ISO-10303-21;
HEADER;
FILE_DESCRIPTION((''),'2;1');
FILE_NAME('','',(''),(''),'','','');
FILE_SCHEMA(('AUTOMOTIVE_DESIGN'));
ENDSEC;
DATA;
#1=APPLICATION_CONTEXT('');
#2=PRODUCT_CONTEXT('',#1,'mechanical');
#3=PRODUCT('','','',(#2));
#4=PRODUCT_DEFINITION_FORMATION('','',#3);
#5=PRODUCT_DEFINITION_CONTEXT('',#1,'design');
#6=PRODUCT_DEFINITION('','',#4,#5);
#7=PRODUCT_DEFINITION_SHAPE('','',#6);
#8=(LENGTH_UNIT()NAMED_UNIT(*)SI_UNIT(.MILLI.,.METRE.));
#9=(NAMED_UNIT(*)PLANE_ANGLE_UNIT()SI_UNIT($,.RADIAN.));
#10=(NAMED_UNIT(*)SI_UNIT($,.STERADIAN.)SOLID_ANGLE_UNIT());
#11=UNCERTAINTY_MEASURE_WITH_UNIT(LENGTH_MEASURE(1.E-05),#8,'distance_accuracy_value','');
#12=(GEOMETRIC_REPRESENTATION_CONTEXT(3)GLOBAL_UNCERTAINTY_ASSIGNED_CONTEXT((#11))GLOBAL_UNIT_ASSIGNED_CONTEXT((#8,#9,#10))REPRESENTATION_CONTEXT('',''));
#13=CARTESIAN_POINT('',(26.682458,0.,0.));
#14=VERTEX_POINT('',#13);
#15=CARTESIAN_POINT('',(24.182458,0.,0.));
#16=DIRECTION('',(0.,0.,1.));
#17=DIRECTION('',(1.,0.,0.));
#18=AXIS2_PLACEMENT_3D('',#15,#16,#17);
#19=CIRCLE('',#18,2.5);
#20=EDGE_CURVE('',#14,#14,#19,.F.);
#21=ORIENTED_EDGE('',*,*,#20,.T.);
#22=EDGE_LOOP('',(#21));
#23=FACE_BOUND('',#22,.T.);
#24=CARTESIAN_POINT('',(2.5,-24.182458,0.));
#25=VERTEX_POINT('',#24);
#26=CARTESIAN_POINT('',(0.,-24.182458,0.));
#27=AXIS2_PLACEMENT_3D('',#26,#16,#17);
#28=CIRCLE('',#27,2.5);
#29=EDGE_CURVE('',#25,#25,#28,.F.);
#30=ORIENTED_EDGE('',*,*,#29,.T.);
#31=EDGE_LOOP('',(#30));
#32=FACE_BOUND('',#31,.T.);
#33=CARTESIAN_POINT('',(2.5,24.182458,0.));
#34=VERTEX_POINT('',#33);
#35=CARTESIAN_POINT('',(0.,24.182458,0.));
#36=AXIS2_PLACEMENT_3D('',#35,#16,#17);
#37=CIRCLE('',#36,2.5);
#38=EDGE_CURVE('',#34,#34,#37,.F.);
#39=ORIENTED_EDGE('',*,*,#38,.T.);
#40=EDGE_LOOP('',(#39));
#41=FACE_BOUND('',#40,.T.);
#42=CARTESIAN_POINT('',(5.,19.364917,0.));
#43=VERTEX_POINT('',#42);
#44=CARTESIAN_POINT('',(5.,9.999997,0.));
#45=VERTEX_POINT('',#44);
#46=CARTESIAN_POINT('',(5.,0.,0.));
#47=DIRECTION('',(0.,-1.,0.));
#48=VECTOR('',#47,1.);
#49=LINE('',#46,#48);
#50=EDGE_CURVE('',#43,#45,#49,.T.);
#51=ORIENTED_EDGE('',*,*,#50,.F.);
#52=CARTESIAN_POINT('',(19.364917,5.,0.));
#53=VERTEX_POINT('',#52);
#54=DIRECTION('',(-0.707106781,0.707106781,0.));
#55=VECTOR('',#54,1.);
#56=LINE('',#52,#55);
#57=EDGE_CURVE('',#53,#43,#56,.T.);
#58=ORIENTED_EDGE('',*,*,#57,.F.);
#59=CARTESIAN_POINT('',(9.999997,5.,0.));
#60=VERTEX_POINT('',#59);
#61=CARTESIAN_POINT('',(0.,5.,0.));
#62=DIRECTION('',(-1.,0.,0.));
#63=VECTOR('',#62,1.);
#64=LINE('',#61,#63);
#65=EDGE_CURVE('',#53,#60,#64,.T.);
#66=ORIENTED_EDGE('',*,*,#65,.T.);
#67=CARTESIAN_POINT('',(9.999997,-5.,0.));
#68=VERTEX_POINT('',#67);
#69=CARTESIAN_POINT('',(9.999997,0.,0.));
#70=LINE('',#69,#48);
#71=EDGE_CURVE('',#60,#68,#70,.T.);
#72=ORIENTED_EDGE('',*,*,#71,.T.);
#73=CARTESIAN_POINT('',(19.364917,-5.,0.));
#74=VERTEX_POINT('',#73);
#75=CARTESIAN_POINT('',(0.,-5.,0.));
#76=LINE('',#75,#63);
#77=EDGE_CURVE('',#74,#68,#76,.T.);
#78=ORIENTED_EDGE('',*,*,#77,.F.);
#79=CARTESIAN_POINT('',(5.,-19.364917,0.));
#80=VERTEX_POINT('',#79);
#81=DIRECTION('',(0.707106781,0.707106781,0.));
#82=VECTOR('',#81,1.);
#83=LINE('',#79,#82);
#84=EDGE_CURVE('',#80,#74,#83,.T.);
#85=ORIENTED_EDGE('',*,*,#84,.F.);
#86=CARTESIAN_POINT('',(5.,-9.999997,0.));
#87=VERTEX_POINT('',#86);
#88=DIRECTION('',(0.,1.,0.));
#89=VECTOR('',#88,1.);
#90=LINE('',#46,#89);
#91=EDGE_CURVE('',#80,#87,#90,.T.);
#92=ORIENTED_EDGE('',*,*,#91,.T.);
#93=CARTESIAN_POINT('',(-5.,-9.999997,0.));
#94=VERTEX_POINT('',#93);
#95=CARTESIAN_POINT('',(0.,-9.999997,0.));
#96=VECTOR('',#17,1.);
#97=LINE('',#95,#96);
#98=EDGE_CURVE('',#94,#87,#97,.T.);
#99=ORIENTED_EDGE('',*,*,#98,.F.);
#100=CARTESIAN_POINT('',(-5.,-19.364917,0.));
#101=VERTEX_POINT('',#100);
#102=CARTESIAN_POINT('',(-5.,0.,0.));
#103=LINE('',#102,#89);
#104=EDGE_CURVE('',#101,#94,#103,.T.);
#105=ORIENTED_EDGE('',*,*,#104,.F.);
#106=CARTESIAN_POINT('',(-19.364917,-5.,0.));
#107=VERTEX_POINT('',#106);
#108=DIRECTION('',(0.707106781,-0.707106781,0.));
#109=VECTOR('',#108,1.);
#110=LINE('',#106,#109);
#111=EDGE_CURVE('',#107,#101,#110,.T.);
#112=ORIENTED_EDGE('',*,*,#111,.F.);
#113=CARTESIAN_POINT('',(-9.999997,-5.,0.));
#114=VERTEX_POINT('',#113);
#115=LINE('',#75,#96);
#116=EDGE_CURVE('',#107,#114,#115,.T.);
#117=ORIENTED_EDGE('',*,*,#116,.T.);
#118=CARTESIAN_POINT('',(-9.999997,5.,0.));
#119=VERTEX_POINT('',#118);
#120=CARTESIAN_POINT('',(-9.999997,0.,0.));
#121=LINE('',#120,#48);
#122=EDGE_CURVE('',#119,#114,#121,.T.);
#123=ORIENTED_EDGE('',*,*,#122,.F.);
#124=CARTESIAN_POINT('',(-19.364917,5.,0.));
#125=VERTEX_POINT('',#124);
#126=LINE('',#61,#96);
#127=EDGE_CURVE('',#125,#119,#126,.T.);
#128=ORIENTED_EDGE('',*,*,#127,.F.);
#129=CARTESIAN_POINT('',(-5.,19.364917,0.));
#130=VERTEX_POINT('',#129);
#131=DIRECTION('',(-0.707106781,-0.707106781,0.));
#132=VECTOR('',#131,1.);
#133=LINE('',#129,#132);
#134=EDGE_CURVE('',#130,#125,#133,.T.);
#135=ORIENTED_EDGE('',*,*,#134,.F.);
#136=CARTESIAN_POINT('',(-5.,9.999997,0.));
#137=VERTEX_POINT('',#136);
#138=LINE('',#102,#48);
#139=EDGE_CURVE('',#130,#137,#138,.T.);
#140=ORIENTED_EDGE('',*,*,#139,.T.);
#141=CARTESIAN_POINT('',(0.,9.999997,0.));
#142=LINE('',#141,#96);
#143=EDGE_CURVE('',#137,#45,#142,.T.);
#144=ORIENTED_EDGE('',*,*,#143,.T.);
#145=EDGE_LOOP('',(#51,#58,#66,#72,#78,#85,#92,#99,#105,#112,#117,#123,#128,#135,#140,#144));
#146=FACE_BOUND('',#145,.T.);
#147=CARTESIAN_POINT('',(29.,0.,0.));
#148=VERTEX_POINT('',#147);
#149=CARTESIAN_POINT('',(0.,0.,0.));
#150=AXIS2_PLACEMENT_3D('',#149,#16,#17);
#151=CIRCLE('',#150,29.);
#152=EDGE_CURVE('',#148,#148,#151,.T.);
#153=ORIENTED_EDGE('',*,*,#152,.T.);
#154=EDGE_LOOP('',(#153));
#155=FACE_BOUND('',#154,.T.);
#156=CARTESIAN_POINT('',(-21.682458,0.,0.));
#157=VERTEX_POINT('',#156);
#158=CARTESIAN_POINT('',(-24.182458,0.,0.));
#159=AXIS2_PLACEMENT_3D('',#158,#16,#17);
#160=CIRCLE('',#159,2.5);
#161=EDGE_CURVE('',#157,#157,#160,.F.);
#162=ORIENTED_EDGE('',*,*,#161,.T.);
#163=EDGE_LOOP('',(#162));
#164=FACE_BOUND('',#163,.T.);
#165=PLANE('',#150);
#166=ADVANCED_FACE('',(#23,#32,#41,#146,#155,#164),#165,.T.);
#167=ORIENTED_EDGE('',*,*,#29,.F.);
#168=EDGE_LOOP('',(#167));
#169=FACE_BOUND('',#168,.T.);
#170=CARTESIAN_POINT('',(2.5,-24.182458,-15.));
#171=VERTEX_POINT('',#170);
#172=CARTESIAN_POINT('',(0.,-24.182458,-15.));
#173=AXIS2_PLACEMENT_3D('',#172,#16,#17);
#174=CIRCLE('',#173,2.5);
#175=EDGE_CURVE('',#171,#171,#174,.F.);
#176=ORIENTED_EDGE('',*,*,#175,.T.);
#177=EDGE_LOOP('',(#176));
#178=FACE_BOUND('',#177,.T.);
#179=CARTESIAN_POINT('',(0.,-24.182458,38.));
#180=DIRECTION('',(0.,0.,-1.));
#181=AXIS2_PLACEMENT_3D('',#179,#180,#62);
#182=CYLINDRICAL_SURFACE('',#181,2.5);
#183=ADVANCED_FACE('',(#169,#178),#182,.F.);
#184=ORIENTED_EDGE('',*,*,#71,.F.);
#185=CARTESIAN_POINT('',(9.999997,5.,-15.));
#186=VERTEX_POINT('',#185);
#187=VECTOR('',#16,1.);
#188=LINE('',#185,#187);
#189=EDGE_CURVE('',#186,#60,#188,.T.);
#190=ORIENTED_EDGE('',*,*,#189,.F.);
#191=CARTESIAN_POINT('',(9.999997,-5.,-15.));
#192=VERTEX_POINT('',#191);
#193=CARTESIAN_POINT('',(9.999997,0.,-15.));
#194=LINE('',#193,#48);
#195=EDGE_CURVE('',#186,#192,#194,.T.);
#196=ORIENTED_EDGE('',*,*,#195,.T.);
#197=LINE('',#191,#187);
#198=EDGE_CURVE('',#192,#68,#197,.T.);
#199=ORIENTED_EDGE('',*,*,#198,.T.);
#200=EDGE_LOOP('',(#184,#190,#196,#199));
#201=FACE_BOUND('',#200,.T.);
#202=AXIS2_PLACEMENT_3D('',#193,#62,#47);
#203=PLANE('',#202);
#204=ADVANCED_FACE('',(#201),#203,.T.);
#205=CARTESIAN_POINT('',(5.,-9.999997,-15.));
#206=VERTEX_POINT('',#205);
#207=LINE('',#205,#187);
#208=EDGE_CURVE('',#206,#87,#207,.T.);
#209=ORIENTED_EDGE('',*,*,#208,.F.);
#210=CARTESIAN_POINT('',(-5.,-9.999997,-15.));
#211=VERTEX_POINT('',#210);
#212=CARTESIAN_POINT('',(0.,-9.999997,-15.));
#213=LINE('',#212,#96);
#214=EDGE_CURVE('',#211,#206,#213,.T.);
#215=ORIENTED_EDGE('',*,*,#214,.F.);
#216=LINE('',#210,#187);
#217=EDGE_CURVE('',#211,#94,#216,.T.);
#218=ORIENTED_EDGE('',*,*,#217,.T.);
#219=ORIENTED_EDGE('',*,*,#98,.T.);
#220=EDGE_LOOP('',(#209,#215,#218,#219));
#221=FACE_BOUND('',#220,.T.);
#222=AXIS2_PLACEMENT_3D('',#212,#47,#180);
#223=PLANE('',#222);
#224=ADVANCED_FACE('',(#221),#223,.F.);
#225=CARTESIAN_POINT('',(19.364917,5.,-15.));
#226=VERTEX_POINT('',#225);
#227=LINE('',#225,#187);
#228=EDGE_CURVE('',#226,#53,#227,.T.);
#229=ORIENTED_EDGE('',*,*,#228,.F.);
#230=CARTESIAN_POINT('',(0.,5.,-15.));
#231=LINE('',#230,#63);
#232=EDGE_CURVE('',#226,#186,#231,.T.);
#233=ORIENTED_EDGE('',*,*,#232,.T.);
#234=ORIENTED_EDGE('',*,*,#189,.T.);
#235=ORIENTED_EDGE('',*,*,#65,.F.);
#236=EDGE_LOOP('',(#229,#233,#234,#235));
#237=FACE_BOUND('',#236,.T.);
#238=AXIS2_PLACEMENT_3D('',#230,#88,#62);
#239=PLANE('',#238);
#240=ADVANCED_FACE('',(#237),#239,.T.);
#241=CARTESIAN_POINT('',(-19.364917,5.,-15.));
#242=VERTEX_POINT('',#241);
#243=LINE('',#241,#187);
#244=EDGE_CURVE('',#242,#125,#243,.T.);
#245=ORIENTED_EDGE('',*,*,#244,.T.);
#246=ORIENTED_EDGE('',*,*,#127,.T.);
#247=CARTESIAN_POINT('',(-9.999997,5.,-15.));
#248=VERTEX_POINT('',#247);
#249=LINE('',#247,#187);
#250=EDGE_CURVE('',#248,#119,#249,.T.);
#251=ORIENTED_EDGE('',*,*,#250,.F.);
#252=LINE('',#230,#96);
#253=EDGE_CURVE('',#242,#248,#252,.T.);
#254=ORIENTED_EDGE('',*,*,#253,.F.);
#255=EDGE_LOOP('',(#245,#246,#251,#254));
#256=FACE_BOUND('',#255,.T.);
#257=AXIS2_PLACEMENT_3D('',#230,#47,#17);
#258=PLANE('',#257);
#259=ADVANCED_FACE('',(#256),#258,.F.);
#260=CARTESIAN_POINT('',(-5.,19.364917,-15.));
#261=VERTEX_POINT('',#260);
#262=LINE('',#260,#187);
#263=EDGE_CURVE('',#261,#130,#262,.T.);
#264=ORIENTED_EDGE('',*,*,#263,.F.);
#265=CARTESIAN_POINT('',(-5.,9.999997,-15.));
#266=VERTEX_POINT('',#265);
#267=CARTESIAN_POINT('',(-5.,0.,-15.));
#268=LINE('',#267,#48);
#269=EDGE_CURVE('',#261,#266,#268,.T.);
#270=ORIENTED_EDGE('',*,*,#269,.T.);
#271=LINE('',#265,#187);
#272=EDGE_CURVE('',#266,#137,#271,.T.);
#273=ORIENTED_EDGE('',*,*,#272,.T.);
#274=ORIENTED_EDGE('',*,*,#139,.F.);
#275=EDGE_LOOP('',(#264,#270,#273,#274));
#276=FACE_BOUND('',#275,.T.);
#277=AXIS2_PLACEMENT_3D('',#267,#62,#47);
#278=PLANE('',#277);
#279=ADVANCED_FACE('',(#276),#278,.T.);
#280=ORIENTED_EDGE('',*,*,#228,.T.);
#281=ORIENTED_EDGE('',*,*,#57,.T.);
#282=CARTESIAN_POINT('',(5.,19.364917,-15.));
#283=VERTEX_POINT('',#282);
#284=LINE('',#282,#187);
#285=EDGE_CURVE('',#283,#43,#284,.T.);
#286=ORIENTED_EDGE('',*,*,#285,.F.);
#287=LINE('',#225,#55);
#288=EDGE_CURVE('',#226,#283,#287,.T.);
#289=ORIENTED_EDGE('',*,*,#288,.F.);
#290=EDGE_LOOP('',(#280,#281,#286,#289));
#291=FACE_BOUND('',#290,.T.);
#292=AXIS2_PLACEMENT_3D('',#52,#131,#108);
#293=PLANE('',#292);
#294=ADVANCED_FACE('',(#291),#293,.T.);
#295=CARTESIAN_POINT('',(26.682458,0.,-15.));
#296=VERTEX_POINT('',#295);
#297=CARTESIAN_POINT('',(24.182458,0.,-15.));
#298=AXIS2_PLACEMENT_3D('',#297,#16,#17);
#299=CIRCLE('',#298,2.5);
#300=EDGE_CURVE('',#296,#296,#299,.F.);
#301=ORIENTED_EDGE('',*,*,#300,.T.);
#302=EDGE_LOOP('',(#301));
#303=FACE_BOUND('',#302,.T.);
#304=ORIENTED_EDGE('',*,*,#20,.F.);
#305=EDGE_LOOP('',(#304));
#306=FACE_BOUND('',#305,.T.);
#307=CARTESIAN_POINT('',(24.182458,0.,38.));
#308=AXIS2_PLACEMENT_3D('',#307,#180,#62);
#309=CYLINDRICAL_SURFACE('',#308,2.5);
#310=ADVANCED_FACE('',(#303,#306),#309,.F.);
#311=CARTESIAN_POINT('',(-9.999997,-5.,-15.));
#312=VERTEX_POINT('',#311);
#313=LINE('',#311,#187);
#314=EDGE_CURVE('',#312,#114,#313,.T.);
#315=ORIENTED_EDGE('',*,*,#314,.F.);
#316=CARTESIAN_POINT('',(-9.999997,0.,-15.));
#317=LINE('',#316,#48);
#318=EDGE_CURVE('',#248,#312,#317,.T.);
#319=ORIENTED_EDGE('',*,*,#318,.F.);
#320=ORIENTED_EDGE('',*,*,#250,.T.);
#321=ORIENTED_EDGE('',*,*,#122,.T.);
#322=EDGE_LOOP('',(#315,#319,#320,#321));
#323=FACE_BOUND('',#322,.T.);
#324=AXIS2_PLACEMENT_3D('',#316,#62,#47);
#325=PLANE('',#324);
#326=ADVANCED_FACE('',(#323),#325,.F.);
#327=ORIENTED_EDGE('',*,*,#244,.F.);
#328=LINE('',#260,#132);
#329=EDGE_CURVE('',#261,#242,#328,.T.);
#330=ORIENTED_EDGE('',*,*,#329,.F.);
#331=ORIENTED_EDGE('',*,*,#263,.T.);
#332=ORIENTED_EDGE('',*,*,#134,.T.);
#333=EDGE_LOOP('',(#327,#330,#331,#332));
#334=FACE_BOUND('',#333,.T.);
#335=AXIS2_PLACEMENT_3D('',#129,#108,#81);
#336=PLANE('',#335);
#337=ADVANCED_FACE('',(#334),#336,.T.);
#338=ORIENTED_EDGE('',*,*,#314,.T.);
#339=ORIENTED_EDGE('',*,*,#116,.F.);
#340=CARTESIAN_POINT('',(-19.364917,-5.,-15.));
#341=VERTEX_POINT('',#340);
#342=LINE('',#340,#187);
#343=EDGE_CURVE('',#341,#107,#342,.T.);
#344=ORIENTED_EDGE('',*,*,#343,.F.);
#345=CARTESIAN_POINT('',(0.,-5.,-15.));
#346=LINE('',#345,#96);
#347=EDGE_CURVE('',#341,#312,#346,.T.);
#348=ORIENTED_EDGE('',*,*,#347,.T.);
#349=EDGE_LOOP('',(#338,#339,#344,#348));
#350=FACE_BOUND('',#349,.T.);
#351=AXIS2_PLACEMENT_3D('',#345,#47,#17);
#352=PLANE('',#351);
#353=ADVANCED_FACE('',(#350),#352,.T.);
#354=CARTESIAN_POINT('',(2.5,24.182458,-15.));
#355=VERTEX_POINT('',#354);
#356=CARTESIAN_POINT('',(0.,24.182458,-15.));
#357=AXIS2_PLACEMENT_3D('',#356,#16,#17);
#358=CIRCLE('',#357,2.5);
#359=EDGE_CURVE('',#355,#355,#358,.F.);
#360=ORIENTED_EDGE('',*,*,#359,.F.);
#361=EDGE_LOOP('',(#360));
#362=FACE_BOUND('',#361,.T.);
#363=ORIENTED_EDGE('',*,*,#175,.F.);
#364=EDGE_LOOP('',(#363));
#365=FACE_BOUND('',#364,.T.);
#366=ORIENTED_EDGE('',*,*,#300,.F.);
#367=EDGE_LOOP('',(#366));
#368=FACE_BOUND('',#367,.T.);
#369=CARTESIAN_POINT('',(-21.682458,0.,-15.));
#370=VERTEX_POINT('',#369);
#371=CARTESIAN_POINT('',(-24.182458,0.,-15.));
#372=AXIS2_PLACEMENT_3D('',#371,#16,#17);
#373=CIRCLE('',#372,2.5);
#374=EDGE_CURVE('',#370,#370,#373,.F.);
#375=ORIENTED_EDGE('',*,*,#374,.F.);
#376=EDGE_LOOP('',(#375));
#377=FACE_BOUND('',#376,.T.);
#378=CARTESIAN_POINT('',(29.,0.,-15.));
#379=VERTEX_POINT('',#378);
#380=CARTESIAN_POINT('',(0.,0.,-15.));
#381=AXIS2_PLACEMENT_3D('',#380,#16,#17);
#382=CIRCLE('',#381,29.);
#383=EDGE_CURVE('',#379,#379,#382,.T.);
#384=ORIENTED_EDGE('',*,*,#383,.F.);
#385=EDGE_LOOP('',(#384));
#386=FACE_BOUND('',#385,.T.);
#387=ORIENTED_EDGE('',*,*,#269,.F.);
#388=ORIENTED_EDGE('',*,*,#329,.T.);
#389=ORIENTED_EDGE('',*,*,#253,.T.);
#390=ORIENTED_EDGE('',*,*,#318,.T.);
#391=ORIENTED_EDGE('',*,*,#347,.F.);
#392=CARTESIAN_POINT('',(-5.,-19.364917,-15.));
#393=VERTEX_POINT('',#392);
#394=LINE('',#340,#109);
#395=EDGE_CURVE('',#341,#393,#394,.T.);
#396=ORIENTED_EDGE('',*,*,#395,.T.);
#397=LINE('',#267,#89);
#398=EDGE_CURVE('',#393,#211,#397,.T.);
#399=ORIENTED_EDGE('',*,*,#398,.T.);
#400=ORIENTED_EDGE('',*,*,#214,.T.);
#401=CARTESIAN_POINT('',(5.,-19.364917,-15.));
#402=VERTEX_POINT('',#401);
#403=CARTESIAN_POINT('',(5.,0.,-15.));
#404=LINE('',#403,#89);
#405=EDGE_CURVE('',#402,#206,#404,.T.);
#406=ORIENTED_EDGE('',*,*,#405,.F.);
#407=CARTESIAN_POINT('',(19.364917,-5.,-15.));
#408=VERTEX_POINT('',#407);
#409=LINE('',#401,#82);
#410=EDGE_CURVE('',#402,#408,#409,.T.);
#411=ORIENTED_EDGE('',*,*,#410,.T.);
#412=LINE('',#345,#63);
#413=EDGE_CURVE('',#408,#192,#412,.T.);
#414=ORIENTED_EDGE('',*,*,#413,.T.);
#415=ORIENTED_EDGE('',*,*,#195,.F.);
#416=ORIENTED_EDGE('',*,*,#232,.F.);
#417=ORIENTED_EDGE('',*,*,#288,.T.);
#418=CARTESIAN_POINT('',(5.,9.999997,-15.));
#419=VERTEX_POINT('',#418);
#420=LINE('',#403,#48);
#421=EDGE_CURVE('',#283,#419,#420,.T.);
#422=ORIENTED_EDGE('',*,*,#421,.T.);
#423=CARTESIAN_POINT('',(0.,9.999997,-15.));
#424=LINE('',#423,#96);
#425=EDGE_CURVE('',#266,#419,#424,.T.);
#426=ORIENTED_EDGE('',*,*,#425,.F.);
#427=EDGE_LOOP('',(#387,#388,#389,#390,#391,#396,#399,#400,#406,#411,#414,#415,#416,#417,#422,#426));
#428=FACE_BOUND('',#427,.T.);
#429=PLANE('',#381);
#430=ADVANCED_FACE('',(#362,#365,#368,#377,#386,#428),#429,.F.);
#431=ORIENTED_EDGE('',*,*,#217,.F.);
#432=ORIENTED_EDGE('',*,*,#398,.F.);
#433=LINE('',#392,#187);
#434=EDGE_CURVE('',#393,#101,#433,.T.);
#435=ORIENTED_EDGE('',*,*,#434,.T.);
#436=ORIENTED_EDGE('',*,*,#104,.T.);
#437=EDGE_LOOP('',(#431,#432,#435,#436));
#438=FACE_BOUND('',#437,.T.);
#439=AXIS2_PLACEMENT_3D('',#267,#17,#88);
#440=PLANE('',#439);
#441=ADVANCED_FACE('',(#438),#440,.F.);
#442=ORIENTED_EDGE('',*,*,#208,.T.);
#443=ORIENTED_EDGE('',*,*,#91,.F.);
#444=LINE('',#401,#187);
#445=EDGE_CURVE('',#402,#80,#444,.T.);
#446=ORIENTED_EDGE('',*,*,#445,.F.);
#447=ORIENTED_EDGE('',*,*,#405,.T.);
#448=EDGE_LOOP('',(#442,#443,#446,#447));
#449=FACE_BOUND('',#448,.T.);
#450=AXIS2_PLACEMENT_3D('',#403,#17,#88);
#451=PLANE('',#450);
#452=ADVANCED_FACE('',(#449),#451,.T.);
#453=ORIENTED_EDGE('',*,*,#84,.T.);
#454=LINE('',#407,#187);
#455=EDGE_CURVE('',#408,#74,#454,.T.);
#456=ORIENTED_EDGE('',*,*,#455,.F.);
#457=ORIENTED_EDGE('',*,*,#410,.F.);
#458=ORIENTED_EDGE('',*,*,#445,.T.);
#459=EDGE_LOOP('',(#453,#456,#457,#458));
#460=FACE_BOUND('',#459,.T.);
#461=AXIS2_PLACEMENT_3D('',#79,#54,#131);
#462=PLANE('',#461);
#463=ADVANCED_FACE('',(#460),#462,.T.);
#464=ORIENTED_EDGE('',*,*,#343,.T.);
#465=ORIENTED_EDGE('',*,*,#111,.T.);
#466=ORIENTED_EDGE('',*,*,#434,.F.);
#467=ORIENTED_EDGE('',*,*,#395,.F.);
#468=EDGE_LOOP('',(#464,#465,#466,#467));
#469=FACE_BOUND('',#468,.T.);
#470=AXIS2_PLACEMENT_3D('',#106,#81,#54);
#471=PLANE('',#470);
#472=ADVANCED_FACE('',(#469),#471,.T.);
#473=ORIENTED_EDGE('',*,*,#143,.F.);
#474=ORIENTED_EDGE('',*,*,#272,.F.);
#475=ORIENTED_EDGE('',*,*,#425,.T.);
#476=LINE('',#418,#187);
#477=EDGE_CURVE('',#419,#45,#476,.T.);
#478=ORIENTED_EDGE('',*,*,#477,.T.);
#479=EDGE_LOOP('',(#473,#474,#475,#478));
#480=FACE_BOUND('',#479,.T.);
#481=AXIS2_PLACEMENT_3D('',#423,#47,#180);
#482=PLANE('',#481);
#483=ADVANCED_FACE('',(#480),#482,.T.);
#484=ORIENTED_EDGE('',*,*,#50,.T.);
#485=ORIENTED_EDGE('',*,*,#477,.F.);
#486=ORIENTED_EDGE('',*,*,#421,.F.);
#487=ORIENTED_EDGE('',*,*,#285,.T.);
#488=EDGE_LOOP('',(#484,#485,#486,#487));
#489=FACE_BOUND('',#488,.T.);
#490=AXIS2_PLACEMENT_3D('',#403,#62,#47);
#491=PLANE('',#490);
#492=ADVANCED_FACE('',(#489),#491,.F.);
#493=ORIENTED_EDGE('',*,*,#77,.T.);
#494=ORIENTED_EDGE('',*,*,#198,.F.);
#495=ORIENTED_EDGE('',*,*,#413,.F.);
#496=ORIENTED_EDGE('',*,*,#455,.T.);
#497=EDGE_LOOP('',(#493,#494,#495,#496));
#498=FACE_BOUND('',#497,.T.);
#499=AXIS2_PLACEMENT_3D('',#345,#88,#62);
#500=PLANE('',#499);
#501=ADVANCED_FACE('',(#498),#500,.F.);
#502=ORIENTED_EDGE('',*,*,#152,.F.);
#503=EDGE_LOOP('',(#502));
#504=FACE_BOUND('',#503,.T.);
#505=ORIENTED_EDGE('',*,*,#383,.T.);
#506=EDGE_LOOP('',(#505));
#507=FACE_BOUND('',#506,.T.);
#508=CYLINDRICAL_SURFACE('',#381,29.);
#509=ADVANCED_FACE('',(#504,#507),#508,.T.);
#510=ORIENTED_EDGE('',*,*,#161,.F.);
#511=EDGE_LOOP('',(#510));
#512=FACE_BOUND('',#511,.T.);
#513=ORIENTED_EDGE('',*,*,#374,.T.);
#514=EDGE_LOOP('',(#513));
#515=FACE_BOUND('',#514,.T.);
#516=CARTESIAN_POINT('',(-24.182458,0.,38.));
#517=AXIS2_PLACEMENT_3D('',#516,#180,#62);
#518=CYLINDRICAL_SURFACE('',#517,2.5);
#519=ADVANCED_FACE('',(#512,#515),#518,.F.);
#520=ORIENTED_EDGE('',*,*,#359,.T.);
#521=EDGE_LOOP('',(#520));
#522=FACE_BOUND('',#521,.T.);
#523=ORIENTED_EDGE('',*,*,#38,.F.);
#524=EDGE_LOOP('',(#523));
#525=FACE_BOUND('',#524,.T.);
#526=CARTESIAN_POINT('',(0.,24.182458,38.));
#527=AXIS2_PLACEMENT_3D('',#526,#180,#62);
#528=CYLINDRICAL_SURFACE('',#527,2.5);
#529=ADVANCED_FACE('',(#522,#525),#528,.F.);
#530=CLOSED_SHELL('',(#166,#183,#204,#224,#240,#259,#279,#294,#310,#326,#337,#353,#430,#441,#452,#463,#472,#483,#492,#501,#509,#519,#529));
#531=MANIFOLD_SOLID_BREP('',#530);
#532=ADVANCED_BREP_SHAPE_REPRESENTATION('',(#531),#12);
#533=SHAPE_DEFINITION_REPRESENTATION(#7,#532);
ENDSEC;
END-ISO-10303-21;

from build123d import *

# Parameters (mm, degrees)
SKETCH6_R                 = 29
SKETCH6_R_2               = 20
INNER_RING_DEPTH          = 15
MOTOR_CONNECTOR_CUT_DEPTH = 15
SKETCH8_R                 = 2.5
M3_HOLES_DEPTH            = 38
M3_HOLES_DEPTH_BACK       = 53
BOSS_EXTRUDE1_DEPTH       = 15


with BuildPart() as part:
    # Sketch6 → Inner Ring (new body)
    with BuildSketch(Plane.XY):
        Circle(SKETCH6_R)
        Circle(SKETCH6_R_2, mode=Mode.SUBTRACT)
    extrude(amount=-INNER_RING_DEPTH)

    # Sketch7 → Motor Connector Cut (add)
    with BuildSketch(Plane.XY):
        with BuildLine():
            ThreePointArc((20, 0), (19.840593925, 2.52008585), (19.364916731, 5))
            Line((19.364916731, 5), (9.999996731, 5))
            Line((9.999996731, 5), (9.999996731, -5))
            Line((9.999996731, -5), (19.364916731, -5))
            ThreePointArc((19.364916731, -5), (19.840593925, -2.52008585), (20, 0))
        make_face()
        with BuildLine():
            ThreePointArc((5, 19.364916731), (0, 20), (-5, 19.364916731))
            Line((-5, 19.364916731), (-5, 9.999996731))
            Line((-5, 9.999996731), (5, 9.999996731))
            Line((5, 9.999996731), (5, 19.364916731))
        make_face()
        with BuildLine():
            Line((-9.999996731, -5), (-9.999996731, 5))
            Line((-9.999996731, 5), (-19.364916731, 5))
            ThreePointArc((-19.364916731, 5), (-20, 0), (-19.364916731, -5))
            Line((-19.364916731, -5), (-9.999996731, -5))
        make_face()
        with BuildLine():
            Line((-5, -9.999996731), (-5, -19.364916731))
            ThreePointArc((-5, -19.364916731), (0, -20), (5, -19.364916731))
            Line((5, -19.364916731), (5, -9.999996731))
            Line((5, -9.999996731), (-5, -9.999996731))
        make_face()
    extrude(amount=-MOTOR_CONNECTOR_CUT_DEPTH)

    # Sketch8 → M3 Holes (cut, two sides)
    with BuildSketch(Plane.XY) as m3_holes_sk:
        with Locations((0, 24.182458366)):
            Circle(SKETCH8_R)
        with Locations((24.182458366, 0)):
            Circle(SKETCH8_R)
        with Locations((0, -24.182458366)):
            Circle(SKETCH8_R)
        with Locations((-24.182458366, 0)):
            Circle(SKETCH8_R)
    extrude(amount=M3_HOLES_DEPTH, mode=Mode.SUBTRACT)
    extrude(m3_holes_sk.sketch, amount=-M3_HOLES_DEPTH_BACK, mode=Mode.SUBTRACT)

    # Sketch9 → Boss-Extrude1 (add)
    with BuildSketch(Plane(origin=(0, 0, -15), x_dir=(-1, 0, 0), z_dir=(0, 0, -1))):
        with BuildLine():
            Line((-19.364916731, 5), (-5, 19.364916731))
            ThreePointArc((-5, 19.364916731), (-14.142135624, 14.142135624), (-19.364916731, 5))
        make_face()
        with BuildLine():
            Line((5, 19.364916731), (19.364916731, 5))
            ThreePointArc((19.364916731, 5), (14.142135624, 14.142135624), (5, 19.364916731))
        make_face()
        with BuildLine():
            Line((19.364916731, -5), (5, -19.364916731))
            ThreePointArc((5, -19.364916731), (14.142135624, -14.142135624), (19.364916731, -5))
        make_face()
        with BuildLine():
            Line((-5, -19.364916731), (-19.364916731, -5))
            ThreePointArc((-19.364916731, -5), (-14.142135624, -14.142135624), (-5, -19.364916731))
        make_face()
    extrude(amount=-BOSS_EXTRUDE1_DEPTH)


solid = part.part
